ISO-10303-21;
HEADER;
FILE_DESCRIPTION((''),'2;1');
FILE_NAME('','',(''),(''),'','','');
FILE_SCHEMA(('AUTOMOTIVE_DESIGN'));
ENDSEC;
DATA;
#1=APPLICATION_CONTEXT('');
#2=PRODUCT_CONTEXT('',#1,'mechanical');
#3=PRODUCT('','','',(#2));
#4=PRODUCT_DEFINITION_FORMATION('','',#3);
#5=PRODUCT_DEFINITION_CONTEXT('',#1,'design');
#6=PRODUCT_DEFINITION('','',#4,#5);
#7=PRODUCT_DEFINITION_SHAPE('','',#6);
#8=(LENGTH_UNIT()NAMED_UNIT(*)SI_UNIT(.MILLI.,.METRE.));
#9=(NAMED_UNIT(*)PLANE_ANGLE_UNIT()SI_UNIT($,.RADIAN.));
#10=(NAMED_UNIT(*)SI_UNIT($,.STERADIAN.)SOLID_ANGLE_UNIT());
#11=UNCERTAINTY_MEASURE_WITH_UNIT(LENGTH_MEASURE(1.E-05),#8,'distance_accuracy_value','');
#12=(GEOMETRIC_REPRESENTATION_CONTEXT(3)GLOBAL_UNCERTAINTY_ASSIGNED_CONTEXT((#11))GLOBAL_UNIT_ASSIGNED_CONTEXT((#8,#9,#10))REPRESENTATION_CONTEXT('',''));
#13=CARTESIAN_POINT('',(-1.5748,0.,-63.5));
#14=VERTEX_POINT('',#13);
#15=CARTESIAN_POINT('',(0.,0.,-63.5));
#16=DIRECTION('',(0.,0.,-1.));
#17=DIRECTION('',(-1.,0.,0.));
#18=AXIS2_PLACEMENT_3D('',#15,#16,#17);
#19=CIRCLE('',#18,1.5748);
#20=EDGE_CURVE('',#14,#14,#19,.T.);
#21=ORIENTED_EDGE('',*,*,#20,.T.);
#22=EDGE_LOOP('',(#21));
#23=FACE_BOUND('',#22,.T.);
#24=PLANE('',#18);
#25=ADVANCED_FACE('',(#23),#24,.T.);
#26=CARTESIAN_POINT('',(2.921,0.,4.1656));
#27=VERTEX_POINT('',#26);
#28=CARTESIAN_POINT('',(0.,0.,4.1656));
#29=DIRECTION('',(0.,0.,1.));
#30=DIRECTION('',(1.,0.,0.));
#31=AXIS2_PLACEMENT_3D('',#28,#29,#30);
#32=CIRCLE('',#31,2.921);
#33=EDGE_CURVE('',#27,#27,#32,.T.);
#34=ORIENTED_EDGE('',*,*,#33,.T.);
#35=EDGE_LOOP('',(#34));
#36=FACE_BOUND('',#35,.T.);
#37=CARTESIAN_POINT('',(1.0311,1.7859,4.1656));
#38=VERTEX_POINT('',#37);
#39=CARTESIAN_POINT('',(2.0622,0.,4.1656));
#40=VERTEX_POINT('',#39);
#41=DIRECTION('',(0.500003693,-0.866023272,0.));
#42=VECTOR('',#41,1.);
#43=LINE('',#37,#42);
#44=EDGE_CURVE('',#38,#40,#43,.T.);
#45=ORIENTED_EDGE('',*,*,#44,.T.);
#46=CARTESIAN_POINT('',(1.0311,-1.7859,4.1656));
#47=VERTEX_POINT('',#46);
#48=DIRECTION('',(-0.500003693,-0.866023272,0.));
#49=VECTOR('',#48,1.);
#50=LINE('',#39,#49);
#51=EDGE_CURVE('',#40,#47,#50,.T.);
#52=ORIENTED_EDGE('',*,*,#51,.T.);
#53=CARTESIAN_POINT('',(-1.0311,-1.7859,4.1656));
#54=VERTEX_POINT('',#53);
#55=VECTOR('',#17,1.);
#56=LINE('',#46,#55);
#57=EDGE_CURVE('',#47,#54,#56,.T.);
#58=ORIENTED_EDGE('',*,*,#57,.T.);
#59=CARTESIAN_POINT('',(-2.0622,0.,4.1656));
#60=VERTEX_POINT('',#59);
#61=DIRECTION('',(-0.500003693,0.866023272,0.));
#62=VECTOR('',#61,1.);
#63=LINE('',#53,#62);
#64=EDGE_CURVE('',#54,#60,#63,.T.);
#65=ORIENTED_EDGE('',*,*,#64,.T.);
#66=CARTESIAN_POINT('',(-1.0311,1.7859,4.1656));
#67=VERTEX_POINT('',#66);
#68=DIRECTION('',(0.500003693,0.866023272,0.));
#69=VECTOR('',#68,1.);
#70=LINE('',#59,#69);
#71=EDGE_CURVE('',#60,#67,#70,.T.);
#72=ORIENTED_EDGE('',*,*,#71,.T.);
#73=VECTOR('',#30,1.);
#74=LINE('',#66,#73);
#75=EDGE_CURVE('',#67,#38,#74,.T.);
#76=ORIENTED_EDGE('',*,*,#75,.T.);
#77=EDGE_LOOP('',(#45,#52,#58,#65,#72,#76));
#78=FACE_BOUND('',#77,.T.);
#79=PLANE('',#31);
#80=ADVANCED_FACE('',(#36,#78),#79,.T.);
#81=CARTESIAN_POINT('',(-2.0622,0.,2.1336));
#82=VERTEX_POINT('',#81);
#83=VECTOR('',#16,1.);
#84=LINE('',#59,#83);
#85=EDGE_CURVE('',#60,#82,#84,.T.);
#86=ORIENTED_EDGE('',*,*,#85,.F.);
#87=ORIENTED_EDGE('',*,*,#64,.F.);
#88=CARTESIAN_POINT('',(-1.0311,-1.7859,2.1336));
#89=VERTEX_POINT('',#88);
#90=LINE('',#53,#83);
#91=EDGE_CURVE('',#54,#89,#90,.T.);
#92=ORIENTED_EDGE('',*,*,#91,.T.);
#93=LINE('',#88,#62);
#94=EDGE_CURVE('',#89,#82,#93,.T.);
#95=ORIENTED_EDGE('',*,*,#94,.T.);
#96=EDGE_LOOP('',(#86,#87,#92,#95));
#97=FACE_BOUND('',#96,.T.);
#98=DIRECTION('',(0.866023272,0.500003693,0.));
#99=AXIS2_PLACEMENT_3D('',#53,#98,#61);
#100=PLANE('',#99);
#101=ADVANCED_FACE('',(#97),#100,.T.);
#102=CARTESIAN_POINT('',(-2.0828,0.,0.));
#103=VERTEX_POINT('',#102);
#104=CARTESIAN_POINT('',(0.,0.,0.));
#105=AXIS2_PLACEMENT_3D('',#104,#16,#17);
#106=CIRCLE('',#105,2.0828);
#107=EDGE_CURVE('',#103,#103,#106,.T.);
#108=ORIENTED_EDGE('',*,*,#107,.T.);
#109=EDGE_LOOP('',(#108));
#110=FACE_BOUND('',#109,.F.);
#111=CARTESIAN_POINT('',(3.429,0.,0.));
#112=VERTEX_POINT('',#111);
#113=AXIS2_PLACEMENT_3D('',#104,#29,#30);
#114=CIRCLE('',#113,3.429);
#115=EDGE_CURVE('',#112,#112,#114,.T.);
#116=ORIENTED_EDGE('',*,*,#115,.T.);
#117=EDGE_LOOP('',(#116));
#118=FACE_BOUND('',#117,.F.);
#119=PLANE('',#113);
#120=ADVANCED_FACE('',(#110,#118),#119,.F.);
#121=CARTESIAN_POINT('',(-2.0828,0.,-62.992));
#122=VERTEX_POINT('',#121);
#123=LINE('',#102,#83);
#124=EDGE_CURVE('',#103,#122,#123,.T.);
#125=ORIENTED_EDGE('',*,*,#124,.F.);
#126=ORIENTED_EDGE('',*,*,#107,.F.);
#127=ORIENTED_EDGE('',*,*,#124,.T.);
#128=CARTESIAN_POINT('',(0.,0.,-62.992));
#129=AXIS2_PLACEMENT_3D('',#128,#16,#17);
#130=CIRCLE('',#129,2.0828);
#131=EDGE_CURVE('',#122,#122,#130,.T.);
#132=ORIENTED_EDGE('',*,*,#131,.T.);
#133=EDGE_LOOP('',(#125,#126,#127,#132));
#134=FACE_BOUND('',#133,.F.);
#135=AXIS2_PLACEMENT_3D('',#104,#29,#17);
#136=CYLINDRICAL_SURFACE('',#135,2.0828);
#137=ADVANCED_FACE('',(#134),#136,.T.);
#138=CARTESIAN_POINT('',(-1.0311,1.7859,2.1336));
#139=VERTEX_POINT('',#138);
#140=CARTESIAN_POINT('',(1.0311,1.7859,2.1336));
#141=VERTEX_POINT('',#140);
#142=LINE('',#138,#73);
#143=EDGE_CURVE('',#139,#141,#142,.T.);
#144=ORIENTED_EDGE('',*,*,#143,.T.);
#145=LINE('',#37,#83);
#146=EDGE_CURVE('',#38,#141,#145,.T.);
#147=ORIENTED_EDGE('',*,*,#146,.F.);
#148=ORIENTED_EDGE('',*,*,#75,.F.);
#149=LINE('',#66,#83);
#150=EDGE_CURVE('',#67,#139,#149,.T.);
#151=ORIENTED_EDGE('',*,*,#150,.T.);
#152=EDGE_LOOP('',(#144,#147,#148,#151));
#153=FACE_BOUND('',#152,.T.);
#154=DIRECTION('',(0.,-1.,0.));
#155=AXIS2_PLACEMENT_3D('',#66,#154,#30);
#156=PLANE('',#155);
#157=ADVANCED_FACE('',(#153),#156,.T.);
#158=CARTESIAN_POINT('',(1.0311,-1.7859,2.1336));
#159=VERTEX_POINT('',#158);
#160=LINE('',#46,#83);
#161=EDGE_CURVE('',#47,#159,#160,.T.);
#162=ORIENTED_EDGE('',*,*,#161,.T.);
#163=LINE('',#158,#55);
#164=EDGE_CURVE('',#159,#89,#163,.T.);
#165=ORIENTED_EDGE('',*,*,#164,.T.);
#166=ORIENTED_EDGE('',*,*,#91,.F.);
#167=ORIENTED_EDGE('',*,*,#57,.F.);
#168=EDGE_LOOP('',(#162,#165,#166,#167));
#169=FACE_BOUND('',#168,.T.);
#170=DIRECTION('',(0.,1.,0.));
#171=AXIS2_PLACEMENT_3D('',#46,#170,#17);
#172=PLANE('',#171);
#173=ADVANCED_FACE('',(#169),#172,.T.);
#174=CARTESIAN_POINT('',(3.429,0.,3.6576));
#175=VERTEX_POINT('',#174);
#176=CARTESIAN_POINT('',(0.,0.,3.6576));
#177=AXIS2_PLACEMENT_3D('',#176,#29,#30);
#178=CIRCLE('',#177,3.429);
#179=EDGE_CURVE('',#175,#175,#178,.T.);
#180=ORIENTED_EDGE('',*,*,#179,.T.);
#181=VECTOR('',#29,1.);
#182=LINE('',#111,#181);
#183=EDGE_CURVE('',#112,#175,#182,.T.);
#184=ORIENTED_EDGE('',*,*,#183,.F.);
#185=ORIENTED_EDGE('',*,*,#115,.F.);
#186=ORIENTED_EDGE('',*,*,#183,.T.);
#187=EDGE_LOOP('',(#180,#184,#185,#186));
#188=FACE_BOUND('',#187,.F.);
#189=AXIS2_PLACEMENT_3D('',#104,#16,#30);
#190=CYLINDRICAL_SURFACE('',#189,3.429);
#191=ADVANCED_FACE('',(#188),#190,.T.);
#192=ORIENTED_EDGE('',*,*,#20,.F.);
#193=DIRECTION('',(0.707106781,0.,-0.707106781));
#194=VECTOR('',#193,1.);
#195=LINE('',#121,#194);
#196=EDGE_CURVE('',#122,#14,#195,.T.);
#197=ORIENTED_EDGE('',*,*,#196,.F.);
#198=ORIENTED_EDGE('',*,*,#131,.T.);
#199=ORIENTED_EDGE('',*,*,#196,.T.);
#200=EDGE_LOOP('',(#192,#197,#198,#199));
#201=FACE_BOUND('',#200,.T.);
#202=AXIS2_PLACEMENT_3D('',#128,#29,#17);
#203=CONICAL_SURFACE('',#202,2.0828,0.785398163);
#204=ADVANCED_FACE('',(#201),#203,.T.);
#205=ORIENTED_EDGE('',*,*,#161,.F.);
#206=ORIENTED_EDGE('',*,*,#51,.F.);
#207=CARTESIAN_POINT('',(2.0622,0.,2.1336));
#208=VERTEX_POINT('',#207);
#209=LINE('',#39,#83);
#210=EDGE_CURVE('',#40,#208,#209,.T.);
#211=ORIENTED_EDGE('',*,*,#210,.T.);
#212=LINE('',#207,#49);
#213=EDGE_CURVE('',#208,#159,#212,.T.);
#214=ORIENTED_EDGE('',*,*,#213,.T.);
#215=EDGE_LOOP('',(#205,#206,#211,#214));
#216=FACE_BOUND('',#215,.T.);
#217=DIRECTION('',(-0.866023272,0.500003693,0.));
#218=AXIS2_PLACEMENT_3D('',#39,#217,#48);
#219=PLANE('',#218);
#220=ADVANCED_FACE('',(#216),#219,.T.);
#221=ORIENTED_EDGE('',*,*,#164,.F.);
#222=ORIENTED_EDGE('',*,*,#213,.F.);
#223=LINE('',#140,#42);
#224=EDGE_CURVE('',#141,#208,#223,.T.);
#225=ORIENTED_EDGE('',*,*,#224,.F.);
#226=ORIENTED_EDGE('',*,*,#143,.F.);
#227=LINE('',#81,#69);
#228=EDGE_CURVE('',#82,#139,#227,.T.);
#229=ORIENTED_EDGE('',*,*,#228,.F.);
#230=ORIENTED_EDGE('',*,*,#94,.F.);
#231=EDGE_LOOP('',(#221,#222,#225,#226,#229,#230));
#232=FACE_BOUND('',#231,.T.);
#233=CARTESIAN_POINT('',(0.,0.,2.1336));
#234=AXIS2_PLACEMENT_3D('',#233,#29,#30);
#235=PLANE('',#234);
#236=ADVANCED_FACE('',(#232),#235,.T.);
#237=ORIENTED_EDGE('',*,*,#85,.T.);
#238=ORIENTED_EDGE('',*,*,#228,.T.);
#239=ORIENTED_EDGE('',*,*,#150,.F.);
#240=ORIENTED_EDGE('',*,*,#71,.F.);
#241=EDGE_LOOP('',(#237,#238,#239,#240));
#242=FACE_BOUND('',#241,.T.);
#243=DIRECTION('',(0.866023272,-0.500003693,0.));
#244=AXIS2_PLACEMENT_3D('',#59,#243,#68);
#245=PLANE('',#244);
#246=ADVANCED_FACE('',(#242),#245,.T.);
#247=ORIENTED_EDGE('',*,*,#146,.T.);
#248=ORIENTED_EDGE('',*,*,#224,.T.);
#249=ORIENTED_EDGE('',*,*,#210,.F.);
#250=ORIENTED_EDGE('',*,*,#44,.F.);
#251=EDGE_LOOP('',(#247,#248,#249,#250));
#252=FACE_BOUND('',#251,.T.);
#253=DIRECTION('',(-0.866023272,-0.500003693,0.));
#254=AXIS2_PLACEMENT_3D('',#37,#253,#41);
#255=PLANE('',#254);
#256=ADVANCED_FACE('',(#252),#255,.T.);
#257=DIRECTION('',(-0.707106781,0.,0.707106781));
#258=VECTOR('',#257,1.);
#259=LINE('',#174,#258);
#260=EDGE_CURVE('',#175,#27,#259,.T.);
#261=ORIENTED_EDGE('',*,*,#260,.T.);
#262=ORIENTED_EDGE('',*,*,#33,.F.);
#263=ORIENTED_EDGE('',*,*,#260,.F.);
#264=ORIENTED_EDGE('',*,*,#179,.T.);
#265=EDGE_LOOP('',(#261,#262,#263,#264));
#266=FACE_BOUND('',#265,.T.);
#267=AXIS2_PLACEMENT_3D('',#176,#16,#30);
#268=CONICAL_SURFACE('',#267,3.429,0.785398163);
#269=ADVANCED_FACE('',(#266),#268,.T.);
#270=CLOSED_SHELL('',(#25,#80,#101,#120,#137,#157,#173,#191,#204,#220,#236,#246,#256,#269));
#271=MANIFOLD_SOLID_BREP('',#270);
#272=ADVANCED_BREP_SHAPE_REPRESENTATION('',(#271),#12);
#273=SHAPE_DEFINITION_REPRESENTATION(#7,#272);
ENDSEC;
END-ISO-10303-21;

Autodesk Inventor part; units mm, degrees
ref_plane "YZ Plane" through (0, 0, 0) normal (1, 0, 0) x (0, 1, 0)
ref_plane "XZ Plane" through (0, 0, 0) normal (0, 1, 0) x (-1, 0, 0)
ref_plane "XY Plane" through (0, 0, 0) normal (0, 0, 1) x (1, 0, 0)
sketch "Sketch1" plane through (0, 0, 0) normal (0, 0, 1) x (1, 0, 0)
  circle A0 centre (0, 0) radius 3.429
  dimension "d0" = 6.858
extrude "Extrusion1" add sketch "Sketch1" along normal blind 4.1656
sketch "Sketch2" plane through (0, 0, 0) normal (0, 0, -1) x (-1, 0, 0)
  circle A0 centre (0, 0) radius 3.429 projected
  circle A1 centre (0, 0) radius 2.0828
  dimension "d3" = 4.1656
extrude "Extrusion2" add sketch "Sketch2" along normal blind 63.5 contours A1
sketch "Sketch3" plane through (0, 0, 4.1656) normal (0, 0, 1) x (1, 0, 0)
  circle A0 centre (0, 0) radius 3.429 projected
  line L0 (-1.0311, 1.7859) -> (1.0311, 1.7859)
  line L1 (1.0311, 1.7859) -> (2.0622, 0)
  line L2 (2.0622, 0) -> (1.0311, -1.7859)
  line L3 (1.0311, -1.7859) -> (-1.0311, -1.7859)
  line L4 (-1.0311, -1.7859) -> (-2.0622, 0)
  line L5 (-2.0622, 0) -> (-1.0311, 1.7859)
  dimension "d6" = 3.5719
extrude "Extrusion3" cut sketch "Sketch3" against normal blind 2.032 contours L0 L1 L2 L3 L4 L5
thread "Thread1" size "8-32 UNC" class "2A" standard "ANSI Unified Screw Threads" length 25.4
chamfer "Chamfer1" distance 0.508 angle 45 1 edges at (2.0828, 0, -63.5)
chamfer "Chamfer2" distance 0.508 angle 45 1 edges at (-3.429, 0, 4.1656)
properties part number "10-32 x1000" material "Steel"
